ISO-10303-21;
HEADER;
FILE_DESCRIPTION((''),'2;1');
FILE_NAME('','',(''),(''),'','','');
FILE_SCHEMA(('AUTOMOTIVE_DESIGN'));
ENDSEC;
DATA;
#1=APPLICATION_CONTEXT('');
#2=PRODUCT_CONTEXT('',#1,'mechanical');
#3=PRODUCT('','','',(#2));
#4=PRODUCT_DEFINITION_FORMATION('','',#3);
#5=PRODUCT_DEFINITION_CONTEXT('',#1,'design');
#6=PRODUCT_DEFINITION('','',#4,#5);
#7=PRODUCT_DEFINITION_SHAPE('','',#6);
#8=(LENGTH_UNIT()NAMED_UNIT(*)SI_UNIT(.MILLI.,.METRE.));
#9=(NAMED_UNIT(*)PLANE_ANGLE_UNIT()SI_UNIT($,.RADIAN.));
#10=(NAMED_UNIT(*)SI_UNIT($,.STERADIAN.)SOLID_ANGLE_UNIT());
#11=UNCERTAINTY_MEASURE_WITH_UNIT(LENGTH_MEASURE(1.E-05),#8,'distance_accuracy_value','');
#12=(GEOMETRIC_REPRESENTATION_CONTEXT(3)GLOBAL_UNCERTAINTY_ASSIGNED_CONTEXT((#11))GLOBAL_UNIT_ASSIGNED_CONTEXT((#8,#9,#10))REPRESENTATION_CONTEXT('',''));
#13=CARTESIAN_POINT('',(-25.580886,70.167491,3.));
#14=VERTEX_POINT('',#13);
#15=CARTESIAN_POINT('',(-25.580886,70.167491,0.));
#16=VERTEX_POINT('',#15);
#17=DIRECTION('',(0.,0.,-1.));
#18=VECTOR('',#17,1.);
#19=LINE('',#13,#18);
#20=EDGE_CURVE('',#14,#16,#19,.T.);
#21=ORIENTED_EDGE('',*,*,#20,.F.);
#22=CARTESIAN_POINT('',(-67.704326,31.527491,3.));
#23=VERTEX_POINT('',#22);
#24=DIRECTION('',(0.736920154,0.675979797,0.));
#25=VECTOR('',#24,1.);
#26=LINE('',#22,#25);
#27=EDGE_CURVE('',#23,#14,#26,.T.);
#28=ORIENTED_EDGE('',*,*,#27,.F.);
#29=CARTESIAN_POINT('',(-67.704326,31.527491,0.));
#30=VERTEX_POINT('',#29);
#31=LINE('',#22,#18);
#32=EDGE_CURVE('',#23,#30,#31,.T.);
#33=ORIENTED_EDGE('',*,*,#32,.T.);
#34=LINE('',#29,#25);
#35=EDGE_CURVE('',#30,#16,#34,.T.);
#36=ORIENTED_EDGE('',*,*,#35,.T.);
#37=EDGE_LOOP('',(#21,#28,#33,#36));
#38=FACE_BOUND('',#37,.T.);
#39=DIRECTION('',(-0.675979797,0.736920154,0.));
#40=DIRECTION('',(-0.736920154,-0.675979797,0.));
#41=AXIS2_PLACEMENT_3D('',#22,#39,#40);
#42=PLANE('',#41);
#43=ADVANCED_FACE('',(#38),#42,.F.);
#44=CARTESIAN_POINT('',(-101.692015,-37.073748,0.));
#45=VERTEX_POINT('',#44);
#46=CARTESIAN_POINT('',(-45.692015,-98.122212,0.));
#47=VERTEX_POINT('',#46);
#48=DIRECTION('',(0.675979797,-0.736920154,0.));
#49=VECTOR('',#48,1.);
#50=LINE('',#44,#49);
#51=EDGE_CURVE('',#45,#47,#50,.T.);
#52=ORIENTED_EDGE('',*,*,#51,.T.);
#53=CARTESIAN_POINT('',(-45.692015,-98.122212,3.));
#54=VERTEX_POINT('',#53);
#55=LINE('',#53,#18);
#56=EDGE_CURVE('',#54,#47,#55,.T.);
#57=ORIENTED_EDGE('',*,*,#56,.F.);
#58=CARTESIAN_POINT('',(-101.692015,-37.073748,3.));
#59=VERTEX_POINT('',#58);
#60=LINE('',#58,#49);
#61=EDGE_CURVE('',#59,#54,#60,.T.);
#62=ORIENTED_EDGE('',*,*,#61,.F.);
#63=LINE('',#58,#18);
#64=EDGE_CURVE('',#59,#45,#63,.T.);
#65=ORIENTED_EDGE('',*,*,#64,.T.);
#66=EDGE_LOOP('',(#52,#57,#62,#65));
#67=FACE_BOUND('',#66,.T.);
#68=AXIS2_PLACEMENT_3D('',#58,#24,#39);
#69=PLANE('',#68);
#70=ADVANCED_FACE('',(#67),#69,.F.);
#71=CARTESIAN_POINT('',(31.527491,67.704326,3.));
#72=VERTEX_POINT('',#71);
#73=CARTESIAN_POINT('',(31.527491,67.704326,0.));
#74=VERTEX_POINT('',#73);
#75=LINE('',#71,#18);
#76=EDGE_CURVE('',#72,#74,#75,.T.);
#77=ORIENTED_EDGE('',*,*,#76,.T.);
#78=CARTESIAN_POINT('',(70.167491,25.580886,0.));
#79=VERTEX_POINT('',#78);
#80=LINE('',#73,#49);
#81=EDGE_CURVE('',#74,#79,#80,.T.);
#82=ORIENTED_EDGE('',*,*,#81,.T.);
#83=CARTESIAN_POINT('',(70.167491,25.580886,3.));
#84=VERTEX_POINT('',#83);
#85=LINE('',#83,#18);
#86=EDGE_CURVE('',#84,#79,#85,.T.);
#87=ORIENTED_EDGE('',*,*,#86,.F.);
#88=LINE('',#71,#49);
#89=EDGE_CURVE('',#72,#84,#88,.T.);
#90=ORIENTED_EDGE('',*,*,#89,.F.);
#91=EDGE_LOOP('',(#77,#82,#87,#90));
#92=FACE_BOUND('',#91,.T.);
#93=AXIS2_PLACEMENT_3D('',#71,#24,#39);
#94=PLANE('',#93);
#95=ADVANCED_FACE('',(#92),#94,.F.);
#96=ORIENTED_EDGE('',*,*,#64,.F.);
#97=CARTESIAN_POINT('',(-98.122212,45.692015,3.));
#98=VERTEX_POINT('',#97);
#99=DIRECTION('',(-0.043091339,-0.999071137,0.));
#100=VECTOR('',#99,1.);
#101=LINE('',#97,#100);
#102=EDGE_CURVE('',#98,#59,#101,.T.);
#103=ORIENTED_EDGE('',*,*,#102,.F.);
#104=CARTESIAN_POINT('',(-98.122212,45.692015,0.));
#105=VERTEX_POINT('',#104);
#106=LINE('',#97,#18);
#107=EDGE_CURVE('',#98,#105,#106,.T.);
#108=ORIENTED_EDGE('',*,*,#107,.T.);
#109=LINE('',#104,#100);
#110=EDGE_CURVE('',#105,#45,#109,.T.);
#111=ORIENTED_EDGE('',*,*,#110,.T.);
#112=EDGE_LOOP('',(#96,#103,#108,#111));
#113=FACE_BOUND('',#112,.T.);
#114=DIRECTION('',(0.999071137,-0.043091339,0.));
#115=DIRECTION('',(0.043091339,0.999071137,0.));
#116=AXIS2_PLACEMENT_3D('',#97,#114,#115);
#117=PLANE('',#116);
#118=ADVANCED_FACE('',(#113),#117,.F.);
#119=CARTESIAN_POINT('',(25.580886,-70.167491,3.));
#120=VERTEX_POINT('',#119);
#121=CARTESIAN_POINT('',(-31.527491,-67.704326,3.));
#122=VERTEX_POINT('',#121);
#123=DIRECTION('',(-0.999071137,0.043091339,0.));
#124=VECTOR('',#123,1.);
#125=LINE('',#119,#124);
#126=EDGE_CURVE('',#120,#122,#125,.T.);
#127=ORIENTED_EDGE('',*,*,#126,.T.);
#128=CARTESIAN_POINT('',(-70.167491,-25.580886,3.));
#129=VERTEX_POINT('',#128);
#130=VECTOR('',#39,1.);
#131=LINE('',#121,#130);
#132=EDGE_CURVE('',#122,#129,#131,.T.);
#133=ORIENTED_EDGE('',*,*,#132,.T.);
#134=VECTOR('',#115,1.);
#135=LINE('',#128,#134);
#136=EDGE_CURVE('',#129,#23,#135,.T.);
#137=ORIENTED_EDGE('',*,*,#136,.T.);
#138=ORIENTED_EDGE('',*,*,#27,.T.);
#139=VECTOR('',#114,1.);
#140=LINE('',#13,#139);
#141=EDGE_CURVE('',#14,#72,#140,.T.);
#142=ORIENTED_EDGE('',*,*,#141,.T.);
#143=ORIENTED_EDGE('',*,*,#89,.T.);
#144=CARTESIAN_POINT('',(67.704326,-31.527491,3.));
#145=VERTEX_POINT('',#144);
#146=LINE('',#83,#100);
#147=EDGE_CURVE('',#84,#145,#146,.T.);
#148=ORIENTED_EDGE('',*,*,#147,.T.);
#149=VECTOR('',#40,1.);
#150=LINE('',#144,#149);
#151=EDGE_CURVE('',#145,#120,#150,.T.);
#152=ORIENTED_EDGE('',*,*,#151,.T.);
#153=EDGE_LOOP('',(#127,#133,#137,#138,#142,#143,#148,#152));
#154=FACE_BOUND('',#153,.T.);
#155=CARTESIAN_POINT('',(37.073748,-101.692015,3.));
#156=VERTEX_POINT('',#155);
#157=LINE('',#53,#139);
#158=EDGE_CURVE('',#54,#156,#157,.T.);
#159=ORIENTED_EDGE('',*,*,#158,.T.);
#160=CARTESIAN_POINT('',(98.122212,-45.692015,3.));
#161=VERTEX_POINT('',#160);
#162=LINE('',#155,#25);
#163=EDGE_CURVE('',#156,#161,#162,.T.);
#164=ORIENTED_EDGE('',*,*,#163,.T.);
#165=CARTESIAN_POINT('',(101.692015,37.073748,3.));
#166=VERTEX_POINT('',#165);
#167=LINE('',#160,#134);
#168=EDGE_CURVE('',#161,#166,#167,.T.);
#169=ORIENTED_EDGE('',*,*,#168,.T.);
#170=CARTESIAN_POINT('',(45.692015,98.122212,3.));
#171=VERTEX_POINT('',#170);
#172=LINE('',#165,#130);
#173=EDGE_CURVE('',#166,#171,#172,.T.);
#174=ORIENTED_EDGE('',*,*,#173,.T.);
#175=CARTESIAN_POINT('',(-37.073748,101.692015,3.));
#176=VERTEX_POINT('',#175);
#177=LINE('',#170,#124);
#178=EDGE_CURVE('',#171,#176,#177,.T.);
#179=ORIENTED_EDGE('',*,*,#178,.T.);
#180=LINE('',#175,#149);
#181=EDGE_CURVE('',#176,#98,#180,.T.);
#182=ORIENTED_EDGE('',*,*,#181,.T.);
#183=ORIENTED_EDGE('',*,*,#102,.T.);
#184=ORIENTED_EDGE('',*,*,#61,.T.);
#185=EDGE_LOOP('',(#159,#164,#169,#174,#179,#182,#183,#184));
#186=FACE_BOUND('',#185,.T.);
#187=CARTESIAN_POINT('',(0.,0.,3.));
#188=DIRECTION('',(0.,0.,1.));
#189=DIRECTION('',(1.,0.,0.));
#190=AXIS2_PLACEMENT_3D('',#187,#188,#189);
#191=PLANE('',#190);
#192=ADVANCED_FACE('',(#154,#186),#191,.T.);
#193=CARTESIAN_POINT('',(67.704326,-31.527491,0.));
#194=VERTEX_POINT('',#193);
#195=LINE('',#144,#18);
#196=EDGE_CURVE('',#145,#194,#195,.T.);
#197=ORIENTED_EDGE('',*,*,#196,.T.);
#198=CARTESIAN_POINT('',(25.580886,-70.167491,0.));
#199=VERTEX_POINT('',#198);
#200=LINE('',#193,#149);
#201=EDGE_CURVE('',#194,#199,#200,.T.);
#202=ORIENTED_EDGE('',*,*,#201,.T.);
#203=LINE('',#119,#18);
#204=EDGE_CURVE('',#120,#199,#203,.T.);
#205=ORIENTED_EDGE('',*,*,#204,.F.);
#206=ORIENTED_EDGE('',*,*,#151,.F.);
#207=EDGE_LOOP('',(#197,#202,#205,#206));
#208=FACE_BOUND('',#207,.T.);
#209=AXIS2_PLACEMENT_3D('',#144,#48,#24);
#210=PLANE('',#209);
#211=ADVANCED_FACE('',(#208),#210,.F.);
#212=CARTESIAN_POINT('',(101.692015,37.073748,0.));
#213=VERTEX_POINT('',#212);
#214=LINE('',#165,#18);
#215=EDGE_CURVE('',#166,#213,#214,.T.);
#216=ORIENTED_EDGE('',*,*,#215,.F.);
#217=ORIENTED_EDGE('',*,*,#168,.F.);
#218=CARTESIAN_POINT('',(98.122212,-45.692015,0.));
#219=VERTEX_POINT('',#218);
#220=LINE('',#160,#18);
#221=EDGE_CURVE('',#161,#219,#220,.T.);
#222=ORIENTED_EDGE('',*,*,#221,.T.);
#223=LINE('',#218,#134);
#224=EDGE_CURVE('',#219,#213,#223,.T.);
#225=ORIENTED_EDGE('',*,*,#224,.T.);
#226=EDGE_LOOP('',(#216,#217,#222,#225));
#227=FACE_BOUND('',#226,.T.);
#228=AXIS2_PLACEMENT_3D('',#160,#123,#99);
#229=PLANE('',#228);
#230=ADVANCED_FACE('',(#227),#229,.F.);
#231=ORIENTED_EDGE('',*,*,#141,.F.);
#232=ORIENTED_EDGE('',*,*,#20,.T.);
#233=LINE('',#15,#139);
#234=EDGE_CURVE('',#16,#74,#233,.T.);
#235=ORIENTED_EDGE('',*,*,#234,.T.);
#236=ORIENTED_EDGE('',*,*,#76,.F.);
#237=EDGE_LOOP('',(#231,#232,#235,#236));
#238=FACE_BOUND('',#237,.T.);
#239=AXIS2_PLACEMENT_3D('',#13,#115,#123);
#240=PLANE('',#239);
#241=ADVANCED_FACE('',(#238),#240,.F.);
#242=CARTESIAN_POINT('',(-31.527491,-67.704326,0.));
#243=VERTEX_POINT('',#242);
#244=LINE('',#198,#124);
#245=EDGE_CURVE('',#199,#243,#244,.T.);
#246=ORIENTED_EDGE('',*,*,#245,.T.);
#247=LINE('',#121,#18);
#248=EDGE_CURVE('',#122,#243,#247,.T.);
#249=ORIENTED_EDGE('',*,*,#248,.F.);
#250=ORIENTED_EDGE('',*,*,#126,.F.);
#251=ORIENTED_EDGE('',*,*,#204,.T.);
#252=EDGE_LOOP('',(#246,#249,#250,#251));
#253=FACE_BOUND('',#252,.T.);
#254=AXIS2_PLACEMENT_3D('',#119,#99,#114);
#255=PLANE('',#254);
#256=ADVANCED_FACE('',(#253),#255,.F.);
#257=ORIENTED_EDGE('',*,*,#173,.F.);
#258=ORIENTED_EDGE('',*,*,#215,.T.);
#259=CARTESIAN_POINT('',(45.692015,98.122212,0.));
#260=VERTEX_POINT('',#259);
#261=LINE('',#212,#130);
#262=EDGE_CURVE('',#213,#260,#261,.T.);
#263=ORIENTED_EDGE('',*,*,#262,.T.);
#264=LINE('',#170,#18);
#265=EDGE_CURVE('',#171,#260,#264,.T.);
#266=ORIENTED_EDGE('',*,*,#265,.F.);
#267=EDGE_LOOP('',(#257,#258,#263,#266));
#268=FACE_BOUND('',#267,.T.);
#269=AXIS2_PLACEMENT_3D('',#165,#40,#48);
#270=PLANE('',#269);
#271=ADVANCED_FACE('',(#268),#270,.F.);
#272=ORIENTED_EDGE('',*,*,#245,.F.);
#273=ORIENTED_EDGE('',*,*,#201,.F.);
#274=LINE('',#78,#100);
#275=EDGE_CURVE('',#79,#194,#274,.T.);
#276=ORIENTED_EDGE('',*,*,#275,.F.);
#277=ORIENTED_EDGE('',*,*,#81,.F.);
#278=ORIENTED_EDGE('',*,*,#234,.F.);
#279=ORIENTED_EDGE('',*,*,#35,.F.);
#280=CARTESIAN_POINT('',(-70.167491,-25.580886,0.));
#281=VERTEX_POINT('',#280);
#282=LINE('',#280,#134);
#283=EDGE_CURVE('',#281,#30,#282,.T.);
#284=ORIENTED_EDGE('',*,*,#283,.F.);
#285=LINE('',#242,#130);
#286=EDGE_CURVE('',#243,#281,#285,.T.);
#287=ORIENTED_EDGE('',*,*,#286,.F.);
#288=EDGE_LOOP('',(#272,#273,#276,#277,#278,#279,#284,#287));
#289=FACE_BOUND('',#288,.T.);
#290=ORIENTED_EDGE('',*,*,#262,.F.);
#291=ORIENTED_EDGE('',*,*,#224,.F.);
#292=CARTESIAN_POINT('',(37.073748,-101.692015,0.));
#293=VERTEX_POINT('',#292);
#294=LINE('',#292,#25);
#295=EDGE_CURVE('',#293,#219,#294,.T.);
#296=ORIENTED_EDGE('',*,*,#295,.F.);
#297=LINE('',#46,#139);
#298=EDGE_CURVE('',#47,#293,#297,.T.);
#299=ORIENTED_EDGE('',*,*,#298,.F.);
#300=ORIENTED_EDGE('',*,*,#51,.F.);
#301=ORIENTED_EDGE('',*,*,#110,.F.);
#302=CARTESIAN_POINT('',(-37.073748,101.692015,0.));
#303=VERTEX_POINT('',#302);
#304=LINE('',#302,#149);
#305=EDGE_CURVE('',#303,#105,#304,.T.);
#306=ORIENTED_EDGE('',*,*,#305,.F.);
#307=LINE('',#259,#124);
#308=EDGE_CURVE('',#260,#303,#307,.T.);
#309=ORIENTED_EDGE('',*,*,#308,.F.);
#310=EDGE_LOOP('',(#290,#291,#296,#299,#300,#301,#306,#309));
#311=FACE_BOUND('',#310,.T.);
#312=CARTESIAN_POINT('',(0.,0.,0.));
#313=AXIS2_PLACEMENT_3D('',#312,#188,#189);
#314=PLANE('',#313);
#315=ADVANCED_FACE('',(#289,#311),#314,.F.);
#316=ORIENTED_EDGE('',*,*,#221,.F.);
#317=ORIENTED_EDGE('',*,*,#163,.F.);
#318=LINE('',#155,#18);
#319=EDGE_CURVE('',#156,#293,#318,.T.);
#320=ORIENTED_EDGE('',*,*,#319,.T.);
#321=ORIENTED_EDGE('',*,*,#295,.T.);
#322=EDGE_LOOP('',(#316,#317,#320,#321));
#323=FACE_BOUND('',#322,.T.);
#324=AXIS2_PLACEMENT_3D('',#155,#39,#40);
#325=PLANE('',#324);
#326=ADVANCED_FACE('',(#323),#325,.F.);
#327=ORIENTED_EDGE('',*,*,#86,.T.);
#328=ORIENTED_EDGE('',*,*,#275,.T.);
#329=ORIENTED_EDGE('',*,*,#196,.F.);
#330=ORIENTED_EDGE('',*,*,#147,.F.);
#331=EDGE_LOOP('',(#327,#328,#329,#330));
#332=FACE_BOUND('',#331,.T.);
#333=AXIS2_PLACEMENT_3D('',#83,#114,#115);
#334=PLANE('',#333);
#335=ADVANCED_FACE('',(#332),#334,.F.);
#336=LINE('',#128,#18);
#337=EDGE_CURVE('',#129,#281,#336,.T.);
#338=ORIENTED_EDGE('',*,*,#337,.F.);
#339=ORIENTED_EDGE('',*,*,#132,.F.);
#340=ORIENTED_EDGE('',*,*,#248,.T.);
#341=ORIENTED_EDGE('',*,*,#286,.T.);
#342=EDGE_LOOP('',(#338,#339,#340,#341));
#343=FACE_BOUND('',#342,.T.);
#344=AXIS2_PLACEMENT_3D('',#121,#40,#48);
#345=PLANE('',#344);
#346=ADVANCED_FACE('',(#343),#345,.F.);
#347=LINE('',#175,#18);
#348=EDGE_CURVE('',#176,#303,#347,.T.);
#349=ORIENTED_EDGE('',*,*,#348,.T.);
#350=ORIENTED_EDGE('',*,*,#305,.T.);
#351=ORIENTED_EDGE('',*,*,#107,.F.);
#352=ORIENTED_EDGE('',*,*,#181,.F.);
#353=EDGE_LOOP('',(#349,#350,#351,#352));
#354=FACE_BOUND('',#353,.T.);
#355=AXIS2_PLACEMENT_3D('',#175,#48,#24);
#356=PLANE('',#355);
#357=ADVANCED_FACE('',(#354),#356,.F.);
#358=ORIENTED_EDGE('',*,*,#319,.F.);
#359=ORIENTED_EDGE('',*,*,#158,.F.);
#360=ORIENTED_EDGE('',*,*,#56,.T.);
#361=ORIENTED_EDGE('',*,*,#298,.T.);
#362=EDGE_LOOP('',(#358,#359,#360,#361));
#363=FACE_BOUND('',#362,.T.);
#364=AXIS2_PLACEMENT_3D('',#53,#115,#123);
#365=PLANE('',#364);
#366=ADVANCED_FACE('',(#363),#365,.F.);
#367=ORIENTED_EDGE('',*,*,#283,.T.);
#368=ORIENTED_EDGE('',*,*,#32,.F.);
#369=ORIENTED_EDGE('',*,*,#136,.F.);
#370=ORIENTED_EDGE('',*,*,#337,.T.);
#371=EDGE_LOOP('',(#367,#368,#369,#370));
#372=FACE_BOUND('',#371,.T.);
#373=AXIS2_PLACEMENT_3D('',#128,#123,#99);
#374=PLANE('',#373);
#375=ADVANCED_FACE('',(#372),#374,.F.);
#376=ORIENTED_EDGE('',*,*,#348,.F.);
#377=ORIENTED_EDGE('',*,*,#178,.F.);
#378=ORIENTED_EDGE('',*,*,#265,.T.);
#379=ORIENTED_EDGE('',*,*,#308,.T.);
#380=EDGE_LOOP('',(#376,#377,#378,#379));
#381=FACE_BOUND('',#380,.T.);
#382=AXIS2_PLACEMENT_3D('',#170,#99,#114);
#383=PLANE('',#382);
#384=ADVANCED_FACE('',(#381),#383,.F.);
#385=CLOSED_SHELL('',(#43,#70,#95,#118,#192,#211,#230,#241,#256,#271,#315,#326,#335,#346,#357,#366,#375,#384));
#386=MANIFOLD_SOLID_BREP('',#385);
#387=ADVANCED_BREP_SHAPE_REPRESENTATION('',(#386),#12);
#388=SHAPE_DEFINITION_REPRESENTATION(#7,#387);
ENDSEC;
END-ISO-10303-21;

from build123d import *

# Parameters (mm, degrees)
SALIENTE_EXTRUIR1_DEPTH = 3
CORTAR_EXTRUIR1_DEPTH   = 3


with BuildPart() as part:
    # Croquis1 → Saliente-Extruir1 (new body)
    with BuildSketch(Plane.XY):
        Polygon((-45.692015403, -98.122211965), (37.073747528, -101.692015403), (98.122211965, -45.692015403), (101.692015403, 37.073747528), (45.692015403, 98.122211965), (-37.073747528, 101.692015403), (-98.122211965, 45.692015403), (-101.692015403, -37.073747528), align=None)
    extrude(amount=SALIENTE_EXTRUIR1_DEPTH)

    # Croquis2 → Cortar-Extruir1 (cut)
    with BuildSketch(Plane(origin=(0, 0, 0), x_dir=(-1, 0, 0), z_dir=(0, 0, -1))):
        Polygon((-67.704326256, -31.527490628), (-25.580885794, -70.167490628), (31.527490628, -67.704326256), (70.167490628, -25.580885794), (67.704326256, 31.527490628), (25.580885794, 70.167490628), (-31.527490628, 67.704326256), (-70.167490628, 25.580885794), align=None)
    extrude(amount=-CORTAR_EXTRUIR1_DEPTH, mode=Mode.SUBTRACT)


solid = part.part
